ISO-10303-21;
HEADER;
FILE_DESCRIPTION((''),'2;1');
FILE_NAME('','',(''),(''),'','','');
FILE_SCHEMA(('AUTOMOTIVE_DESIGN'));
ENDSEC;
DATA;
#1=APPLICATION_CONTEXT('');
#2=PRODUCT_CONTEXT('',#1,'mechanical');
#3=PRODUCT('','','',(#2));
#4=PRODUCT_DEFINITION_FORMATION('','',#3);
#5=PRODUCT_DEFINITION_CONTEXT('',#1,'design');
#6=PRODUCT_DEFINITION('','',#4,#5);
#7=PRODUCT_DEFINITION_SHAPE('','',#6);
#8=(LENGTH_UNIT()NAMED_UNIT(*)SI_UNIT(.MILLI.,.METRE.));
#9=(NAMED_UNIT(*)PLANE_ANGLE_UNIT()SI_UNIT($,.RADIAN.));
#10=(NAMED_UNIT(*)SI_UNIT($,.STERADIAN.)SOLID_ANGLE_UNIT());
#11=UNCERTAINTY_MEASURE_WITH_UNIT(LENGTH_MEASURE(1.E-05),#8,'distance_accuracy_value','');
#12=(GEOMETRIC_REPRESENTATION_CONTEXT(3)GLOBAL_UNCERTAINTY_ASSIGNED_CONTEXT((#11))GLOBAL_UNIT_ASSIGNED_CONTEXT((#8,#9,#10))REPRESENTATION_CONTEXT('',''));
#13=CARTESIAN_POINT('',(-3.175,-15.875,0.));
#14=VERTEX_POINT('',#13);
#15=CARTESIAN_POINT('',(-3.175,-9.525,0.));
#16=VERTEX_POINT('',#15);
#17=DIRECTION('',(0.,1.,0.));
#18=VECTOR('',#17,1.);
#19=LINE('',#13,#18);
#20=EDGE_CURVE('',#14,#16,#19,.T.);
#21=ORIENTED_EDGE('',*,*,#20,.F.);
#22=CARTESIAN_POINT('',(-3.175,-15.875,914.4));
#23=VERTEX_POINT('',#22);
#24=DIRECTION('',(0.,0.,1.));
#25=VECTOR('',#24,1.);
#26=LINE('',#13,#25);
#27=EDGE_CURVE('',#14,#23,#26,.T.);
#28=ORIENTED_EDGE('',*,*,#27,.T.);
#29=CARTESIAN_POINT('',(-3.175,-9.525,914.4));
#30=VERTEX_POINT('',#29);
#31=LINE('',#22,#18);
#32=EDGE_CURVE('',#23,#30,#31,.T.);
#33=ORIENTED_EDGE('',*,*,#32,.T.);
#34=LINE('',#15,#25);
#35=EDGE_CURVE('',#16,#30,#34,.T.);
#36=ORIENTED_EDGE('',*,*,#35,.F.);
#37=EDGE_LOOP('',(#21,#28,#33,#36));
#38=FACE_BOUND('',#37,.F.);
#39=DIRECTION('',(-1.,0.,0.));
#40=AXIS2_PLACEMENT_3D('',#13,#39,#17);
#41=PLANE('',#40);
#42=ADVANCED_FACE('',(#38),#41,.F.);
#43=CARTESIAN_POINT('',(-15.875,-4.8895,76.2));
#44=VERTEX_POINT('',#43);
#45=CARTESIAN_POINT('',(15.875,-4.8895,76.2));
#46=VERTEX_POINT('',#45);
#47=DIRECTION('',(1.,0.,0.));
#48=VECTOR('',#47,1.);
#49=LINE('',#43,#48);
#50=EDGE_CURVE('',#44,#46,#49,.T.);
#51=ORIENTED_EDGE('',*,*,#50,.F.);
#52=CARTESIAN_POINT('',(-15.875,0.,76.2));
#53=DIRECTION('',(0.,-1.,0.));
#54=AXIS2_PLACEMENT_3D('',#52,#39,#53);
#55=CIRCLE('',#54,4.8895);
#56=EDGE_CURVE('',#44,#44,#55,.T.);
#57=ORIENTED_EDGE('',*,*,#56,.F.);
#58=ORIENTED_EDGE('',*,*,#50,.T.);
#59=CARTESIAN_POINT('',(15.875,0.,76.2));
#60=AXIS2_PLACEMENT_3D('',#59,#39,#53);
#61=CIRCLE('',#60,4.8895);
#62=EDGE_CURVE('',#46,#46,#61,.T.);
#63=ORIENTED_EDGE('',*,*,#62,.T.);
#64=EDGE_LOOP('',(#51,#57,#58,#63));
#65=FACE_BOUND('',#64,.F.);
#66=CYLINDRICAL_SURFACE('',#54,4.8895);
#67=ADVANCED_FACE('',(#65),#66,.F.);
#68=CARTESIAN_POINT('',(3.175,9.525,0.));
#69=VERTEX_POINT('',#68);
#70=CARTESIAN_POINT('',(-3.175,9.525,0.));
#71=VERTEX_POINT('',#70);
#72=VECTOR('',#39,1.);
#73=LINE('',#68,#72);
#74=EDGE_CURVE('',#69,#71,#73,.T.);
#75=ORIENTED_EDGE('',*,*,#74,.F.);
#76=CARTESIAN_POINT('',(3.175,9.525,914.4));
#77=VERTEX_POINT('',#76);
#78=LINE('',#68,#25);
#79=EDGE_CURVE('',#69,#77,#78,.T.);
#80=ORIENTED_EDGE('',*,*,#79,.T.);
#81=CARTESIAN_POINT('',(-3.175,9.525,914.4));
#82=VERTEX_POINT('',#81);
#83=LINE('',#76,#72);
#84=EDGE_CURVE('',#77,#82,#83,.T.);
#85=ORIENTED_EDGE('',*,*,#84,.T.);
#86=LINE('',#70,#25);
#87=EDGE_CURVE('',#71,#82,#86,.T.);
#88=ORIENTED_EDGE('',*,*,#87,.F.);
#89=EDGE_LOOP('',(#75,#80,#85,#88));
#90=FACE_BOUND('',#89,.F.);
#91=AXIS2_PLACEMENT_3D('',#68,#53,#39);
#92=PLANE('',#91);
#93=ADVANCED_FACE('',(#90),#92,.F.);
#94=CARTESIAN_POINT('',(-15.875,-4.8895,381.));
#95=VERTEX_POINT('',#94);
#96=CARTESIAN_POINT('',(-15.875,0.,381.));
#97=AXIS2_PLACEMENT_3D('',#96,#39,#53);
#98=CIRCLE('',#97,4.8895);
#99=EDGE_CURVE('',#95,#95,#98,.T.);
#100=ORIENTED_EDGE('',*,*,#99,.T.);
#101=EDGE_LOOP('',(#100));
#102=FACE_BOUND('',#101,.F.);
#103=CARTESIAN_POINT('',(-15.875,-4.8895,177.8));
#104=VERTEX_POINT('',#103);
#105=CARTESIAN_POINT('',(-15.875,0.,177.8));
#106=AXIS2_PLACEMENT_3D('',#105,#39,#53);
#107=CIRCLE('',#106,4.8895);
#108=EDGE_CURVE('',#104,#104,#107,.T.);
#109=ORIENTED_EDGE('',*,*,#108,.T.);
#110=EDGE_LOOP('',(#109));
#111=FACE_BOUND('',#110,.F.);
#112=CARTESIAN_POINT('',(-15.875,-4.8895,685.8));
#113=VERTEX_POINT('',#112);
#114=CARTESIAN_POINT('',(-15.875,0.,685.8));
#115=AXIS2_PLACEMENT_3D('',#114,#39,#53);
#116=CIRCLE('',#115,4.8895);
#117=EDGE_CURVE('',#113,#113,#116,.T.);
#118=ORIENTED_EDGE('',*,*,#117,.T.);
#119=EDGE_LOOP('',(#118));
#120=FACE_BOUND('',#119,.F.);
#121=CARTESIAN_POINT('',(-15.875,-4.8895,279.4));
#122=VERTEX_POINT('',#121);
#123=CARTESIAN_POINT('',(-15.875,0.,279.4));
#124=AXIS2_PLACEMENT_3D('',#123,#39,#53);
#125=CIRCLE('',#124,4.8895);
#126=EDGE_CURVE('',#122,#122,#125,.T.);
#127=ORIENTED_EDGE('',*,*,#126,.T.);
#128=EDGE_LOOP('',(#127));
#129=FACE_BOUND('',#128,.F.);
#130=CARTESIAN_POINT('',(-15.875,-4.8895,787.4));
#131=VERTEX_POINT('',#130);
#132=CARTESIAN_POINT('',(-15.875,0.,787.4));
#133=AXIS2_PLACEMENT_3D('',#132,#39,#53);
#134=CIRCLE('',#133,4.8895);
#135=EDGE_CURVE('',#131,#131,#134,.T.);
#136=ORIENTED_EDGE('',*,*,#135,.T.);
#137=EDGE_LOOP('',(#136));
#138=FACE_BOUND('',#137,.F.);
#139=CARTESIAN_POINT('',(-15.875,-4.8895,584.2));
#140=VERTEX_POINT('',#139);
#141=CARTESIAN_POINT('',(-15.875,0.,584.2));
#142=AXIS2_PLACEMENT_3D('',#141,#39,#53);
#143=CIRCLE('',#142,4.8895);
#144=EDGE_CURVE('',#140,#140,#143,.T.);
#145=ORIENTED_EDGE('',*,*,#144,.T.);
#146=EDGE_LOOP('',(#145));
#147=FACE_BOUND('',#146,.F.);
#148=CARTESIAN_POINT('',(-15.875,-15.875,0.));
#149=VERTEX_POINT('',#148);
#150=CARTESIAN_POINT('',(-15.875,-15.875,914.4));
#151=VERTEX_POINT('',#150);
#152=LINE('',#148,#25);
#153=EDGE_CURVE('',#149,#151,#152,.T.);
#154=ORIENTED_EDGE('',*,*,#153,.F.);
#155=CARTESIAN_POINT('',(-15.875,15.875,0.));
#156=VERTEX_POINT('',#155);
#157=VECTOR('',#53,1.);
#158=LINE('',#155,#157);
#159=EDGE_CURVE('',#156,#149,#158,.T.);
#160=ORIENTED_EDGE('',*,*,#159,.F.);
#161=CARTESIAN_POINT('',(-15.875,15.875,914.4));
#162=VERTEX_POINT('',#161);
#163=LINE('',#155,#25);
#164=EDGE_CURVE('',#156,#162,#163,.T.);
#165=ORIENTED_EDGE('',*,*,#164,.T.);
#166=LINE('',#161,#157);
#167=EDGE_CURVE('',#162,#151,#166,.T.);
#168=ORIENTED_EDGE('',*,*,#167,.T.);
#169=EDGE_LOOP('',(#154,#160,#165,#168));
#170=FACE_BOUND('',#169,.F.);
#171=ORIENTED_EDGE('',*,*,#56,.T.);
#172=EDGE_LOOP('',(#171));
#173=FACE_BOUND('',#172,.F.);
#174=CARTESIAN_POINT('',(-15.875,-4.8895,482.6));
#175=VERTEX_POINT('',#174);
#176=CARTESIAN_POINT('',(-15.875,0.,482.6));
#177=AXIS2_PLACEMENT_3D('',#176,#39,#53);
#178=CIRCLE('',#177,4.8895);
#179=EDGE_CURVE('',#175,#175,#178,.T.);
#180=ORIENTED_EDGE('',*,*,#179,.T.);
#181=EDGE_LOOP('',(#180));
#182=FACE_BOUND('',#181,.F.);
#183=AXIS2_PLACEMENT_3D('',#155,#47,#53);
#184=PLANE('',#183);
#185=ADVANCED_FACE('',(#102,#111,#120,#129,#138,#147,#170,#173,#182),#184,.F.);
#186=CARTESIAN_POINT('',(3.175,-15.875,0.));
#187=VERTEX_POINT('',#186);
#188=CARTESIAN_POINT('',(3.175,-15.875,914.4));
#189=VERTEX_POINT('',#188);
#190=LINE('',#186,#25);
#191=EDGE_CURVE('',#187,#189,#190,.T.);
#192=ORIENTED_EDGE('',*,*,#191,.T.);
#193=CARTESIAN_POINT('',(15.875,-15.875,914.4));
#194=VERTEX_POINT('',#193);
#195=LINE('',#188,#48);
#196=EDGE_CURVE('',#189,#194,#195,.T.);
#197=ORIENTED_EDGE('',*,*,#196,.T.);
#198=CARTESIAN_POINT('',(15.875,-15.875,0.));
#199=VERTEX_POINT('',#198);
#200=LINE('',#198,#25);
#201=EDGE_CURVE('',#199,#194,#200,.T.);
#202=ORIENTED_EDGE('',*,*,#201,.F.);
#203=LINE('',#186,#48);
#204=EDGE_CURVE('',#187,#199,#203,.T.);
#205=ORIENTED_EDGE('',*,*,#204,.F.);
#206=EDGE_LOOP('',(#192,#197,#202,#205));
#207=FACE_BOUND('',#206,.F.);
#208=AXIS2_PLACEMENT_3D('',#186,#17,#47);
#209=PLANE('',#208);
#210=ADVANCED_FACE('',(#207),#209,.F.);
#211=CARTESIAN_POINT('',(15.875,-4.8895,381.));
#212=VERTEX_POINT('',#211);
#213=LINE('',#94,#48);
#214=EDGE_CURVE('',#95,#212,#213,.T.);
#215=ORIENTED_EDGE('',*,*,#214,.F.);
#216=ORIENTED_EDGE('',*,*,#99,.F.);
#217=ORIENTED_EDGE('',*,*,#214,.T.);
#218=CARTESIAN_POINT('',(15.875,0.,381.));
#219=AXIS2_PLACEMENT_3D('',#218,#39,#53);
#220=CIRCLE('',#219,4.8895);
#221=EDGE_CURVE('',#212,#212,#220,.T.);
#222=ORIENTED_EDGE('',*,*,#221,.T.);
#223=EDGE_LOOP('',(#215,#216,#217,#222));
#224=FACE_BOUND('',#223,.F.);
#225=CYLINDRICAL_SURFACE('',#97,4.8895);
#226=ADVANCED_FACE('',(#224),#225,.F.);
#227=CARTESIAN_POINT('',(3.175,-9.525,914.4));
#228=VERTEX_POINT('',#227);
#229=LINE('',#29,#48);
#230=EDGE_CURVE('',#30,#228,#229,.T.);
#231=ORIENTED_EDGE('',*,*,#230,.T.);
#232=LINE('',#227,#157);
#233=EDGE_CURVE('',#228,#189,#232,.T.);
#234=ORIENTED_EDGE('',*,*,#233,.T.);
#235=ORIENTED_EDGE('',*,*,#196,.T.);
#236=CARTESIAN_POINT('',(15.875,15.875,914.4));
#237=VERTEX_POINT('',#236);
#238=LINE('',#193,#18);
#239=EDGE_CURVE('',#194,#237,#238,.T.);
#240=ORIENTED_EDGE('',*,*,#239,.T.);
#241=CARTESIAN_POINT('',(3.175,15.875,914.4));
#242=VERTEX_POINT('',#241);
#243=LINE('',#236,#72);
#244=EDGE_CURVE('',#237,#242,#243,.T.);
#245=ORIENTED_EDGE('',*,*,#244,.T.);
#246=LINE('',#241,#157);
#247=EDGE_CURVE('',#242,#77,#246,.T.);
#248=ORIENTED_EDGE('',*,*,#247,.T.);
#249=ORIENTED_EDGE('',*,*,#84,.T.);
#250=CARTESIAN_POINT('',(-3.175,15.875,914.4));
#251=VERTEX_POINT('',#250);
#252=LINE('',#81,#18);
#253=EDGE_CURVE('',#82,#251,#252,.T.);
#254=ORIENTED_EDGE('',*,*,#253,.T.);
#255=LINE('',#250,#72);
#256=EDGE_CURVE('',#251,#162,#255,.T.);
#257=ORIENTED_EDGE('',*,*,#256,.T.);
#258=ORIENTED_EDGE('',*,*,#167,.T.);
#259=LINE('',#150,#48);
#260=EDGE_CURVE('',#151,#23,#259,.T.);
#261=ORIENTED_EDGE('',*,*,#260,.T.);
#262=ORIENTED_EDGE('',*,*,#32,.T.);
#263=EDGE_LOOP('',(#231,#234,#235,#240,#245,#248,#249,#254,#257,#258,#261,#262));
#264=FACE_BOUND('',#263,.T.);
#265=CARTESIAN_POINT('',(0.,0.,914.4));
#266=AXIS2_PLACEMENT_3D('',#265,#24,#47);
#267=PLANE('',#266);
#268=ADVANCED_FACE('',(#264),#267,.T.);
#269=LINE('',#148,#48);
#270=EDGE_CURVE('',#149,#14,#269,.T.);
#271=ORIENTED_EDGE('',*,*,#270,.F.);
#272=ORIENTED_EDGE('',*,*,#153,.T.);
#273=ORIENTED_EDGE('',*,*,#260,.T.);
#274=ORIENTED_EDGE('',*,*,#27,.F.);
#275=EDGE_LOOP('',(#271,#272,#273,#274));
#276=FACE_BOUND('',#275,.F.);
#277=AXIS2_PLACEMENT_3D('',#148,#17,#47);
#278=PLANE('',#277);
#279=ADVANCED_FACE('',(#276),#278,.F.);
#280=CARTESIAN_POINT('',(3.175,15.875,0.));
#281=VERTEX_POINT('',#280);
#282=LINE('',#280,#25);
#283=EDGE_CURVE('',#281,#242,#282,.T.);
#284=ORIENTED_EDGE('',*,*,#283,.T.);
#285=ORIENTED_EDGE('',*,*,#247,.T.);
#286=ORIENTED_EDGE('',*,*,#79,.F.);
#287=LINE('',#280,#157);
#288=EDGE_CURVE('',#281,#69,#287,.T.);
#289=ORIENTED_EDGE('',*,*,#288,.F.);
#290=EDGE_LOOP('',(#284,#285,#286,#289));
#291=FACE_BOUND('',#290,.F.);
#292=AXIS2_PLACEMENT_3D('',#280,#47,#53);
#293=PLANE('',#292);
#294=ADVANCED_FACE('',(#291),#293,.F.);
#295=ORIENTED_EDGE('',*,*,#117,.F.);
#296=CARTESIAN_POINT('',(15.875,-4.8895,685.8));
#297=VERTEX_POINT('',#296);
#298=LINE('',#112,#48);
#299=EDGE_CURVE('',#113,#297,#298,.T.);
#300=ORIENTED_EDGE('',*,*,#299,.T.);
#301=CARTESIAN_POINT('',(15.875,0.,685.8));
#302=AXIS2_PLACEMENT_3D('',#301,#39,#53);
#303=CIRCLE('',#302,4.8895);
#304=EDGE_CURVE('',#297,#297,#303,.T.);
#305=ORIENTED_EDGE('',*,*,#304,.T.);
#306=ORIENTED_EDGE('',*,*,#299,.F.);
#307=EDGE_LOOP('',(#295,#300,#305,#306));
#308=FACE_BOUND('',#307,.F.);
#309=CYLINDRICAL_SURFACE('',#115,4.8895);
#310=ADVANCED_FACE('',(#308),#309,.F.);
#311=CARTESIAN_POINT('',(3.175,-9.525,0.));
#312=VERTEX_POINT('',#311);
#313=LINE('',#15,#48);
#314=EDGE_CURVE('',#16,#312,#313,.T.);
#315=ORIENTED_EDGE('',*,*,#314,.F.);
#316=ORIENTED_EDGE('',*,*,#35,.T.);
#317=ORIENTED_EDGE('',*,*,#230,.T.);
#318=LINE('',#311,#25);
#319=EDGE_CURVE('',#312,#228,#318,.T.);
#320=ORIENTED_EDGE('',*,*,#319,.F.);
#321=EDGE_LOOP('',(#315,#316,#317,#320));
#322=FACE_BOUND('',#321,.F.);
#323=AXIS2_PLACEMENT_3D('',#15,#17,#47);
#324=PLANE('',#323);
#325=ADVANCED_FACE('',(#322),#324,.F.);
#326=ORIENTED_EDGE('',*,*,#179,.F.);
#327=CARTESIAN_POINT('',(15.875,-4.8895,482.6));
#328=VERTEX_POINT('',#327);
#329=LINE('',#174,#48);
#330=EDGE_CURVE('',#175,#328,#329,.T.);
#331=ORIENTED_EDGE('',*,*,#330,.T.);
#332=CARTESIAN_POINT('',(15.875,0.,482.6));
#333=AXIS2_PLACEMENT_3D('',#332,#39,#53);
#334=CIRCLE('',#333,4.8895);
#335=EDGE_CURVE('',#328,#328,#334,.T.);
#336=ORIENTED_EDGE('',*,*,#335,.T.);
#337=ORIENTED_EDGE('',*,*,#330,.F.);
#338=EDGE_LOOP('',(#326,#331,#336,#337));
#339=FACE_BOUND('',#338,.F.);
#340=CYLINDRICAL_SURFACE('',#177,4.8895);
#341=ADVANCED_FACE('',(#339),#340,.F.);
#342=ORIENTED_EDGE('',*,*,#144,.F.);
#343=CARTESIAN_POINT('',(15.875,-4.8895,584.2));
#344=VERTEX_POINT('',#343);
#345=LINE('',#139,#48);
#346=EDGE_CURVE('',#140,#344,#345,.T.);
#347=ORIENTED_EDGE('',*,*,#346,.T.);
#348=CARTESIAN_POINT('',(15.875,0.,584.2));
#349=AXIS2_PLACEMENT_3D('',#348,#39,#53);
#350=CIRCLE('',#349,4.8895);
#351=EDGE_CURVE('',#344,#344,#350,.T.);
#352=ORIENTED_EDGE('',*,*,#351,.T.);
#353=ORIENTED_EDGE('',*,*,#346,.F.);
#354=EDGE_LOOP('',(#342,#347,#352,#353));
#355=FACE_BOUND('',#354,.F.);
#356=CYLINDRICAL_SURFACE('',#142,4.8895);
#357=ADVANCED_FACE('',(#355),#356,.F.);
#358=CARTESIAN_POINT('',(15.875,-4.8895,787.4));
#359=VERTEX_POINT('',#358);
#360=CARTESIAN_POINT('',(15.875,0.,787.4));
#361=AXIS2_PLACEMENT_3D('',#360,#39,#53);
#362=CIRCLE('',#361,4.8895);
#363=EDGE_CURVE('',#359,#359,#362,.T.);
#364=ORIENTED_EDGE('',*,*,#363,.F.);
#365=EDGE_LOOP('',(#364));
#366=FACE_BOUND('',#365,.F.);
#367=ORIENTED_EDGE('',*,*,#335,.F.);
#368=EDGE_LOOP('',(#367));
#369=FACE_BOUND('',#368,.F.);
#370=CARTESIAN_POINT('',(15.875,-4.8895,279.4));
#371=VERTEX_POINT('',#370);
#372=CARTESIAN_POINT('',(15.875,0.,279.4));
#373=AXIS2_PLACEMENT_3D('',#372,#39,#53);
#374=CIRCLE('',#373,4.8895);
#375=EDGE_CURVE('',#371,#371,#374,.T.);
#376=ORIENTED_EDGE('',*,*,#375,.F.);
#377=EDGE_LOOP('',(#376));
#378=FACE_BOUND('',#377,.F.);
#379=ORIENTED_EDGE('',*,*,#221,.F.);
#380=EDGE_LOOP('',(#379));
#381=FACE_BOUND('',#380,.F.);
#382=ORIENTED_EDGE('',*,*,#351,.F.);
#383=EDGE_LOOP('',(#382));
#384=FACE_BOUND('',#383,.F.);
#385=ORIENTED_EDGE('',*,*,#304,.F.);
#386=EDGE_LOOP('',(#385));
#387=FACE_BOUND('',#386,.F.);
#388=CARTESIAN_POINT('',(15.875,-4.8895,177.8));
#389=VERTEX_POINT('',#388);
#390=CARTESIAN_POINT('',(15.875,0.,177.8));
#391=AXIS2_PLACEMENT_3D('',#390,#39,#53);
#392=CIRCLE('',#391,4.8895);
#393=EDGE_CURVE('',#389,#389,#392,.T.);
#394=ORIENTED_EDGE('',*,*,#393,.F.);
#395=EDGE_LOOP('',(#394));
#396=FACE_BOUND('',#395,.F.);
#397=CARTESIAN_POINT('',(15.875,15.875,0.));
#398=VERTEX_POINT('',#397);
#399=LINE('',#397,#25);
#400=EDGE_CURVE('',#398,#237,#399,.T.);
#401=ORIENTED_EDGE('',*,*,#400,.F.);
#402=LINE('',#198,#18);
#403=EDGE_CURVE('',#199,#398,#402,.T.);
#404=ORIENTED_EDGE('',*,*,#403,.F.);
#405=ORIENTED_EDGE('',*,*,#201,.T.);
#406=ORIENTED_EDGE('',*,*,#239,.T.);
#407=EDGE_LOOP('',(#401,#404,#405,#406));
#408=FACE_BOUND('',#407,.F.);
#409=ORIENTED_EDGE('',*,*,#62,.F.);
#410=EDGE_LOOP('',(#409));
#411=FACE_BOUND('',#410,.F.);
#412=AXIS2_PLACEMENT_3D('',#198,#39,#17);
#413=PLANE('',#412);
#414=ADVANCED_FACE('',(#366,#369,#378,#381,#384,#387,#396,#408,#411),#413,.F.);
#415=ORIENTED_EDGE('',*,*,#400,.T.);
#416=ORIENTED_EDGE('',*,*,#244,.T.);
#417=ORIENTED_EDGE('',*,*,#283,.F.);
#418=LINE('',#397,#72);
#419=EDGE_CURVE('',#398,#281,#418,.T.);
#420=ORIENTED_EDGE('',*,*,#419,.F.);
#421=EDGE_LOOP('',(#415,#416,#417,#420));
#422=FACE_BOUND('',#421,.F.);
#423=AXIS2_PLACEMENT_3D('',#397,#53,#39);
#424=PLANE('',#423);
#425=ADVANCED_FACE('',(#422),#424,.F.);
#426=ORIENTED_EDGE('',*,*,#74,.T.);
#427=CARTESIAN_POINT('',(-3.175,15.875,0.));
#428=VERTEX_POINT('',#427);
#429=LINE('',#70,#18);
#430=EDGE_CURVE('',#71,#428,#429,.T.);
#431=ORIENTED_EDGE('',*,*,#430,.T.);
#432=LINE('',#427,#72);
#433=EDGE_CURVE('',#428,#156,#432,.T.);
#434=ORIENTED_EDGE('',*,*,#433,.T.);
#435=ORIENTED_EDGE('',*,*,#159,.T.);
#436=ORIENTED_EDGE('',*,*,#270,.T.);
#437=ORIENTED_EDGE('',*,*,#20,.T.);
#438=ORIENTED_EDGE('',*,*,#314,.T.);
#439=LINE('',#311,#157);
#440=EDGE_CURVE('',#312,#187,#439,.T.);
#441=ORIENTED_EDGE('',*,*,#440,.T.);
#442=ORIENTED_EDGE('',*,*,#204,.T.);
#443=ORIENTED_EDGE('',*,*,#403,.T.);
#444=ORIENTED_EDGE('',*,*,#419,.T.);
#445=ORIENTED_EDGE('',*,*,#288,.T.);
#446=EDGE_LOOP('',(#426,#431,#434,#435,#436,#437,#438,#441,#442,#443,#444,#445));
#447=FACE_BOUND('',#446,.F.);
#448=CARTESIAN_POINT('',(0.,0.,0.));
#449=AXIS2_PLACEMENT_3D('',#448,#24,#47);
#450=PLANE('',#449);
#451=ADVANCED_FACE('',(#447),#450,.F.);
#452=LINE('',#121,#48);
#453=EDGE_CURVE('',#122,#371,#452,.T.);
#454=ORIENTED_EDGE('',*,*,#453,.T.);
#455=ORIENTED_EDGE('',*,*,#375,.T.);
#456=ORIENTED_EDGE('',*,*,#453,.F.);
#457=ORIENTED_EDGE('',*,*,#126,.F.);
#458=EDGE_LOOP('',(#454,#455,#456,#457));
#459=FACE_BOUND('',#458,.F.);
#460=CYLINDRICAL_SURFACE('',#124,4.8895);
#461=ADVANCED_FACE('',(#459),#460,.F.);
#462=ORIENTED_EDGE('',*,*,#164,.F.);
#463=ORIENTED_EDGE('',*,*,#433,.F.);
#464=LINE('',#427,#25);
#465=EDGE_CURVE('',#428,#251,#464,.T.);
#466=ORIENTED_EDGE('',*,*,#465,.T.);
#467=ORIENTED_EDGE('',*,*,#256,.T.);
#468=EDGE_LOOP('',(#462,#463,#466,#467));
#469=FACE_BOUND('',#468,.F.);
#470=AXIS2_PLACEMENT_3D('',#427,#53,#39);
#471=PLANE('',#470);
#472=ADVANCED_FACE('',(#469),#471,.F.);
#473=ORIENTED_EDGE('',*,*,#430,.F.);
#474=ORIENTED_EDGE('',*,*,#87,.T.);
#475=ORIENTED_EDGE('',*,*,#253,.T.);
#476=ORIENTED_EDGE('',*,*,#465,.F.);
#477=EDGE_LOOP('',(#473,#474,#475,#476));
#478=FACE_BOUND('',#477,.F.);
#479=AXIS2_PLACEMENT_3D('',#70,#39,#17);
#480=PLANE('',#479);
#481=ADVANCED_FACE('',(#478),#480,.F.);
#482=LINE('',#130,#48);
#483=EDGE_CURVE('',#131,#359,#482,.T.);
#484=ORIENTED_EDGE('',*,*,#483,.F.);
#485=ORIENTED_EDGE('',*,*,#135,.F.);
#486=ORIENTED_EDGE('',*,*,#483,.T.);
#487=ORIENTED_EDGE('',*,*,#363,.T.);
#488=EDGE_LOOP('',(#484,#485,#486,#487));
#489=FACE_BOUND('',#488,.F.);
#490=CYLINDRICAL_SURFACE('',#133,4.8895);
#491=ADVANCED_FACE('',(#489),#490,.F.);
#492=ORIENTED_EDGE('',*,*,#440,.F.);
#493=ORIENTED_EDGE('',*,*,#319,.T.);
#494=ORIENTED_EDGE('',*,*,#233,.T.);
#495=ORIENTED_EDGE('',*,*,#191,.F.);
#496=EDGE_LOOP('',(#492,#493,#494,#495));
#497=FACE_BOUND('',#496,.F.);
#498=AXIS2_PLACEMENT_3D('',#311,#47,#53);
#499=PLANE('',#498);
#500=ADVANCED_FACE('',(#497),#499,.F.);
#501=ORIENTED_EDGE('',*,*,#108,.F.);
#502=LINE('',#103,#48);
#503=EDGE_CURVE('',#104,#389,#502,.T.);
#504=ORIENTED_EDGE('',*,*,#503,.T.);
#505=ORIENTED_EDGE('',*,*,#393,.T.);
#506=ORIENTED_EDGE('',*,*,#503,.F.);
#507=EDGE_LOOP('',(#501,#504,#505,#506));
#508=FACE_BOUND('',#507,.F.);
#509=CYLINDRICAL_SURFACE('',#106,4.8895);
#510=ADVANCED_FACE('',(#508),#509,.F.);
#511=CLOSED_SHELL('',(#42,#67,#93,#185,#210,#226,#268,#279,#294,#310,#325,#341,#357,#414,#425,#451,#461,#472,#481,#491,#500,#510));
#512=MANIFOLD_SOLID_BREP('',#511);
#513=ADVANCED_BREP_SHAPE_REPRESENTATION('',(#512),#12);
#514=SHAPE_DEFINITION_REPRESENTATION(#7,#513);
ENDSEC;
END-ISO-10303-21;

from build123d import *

# Parameters (mm, degrees)
F1_DEPTH = 914.4
F2_R     = 4.8895
F3_DEPTH = 31.751


with BuildPart() as f1:
    # F0 (on Top) → F1 (new body)
    with BuildSketch(Plane.XY):
        Polygon((3.175, -15.875), (15.875, -15.875), (15.875, 15.875), (3.175, 15.875), (3.175, 9.525), (-3.175, 9.525), (-3.175, 15.875), (-15.875, 15.875), (-15.875, -15.875), (-3.175, -15.875), (-3.175, -9.525), (3.175, -9.525), align=None)
    extrude(amount=F1_DEPTH)

    # F2 (on face) → F3 (cut, through all)
    with BuildSketch(Plane(origin=(-15.875, 0, 0), x_dir=(0, -1, 0), z_dir=(-1, 0, 0))):
        with Locations((0, 787.4)):
            Circle(F2_R)
        with Locations((0, 685.8)):
            Circle(F2_R)
        with Locations((0, 584.2)):
            Circle(F2_R)
        with Locations((0, 482.6)):
            Circle(F2_R)
        with Locations((0, 381)):
            Circle(F2_R)
        with Locations((0, 279.4)):
            Circle(F2_R)
        with Locations((0, 177.8)):
            Circle(F2_R)
        with Locations((0, 76.2)):
            Circle(F2_R)
    extrude(amount=-F3_DEPTH, mode=Mode.SUBTRACT)


solid = f1.part
